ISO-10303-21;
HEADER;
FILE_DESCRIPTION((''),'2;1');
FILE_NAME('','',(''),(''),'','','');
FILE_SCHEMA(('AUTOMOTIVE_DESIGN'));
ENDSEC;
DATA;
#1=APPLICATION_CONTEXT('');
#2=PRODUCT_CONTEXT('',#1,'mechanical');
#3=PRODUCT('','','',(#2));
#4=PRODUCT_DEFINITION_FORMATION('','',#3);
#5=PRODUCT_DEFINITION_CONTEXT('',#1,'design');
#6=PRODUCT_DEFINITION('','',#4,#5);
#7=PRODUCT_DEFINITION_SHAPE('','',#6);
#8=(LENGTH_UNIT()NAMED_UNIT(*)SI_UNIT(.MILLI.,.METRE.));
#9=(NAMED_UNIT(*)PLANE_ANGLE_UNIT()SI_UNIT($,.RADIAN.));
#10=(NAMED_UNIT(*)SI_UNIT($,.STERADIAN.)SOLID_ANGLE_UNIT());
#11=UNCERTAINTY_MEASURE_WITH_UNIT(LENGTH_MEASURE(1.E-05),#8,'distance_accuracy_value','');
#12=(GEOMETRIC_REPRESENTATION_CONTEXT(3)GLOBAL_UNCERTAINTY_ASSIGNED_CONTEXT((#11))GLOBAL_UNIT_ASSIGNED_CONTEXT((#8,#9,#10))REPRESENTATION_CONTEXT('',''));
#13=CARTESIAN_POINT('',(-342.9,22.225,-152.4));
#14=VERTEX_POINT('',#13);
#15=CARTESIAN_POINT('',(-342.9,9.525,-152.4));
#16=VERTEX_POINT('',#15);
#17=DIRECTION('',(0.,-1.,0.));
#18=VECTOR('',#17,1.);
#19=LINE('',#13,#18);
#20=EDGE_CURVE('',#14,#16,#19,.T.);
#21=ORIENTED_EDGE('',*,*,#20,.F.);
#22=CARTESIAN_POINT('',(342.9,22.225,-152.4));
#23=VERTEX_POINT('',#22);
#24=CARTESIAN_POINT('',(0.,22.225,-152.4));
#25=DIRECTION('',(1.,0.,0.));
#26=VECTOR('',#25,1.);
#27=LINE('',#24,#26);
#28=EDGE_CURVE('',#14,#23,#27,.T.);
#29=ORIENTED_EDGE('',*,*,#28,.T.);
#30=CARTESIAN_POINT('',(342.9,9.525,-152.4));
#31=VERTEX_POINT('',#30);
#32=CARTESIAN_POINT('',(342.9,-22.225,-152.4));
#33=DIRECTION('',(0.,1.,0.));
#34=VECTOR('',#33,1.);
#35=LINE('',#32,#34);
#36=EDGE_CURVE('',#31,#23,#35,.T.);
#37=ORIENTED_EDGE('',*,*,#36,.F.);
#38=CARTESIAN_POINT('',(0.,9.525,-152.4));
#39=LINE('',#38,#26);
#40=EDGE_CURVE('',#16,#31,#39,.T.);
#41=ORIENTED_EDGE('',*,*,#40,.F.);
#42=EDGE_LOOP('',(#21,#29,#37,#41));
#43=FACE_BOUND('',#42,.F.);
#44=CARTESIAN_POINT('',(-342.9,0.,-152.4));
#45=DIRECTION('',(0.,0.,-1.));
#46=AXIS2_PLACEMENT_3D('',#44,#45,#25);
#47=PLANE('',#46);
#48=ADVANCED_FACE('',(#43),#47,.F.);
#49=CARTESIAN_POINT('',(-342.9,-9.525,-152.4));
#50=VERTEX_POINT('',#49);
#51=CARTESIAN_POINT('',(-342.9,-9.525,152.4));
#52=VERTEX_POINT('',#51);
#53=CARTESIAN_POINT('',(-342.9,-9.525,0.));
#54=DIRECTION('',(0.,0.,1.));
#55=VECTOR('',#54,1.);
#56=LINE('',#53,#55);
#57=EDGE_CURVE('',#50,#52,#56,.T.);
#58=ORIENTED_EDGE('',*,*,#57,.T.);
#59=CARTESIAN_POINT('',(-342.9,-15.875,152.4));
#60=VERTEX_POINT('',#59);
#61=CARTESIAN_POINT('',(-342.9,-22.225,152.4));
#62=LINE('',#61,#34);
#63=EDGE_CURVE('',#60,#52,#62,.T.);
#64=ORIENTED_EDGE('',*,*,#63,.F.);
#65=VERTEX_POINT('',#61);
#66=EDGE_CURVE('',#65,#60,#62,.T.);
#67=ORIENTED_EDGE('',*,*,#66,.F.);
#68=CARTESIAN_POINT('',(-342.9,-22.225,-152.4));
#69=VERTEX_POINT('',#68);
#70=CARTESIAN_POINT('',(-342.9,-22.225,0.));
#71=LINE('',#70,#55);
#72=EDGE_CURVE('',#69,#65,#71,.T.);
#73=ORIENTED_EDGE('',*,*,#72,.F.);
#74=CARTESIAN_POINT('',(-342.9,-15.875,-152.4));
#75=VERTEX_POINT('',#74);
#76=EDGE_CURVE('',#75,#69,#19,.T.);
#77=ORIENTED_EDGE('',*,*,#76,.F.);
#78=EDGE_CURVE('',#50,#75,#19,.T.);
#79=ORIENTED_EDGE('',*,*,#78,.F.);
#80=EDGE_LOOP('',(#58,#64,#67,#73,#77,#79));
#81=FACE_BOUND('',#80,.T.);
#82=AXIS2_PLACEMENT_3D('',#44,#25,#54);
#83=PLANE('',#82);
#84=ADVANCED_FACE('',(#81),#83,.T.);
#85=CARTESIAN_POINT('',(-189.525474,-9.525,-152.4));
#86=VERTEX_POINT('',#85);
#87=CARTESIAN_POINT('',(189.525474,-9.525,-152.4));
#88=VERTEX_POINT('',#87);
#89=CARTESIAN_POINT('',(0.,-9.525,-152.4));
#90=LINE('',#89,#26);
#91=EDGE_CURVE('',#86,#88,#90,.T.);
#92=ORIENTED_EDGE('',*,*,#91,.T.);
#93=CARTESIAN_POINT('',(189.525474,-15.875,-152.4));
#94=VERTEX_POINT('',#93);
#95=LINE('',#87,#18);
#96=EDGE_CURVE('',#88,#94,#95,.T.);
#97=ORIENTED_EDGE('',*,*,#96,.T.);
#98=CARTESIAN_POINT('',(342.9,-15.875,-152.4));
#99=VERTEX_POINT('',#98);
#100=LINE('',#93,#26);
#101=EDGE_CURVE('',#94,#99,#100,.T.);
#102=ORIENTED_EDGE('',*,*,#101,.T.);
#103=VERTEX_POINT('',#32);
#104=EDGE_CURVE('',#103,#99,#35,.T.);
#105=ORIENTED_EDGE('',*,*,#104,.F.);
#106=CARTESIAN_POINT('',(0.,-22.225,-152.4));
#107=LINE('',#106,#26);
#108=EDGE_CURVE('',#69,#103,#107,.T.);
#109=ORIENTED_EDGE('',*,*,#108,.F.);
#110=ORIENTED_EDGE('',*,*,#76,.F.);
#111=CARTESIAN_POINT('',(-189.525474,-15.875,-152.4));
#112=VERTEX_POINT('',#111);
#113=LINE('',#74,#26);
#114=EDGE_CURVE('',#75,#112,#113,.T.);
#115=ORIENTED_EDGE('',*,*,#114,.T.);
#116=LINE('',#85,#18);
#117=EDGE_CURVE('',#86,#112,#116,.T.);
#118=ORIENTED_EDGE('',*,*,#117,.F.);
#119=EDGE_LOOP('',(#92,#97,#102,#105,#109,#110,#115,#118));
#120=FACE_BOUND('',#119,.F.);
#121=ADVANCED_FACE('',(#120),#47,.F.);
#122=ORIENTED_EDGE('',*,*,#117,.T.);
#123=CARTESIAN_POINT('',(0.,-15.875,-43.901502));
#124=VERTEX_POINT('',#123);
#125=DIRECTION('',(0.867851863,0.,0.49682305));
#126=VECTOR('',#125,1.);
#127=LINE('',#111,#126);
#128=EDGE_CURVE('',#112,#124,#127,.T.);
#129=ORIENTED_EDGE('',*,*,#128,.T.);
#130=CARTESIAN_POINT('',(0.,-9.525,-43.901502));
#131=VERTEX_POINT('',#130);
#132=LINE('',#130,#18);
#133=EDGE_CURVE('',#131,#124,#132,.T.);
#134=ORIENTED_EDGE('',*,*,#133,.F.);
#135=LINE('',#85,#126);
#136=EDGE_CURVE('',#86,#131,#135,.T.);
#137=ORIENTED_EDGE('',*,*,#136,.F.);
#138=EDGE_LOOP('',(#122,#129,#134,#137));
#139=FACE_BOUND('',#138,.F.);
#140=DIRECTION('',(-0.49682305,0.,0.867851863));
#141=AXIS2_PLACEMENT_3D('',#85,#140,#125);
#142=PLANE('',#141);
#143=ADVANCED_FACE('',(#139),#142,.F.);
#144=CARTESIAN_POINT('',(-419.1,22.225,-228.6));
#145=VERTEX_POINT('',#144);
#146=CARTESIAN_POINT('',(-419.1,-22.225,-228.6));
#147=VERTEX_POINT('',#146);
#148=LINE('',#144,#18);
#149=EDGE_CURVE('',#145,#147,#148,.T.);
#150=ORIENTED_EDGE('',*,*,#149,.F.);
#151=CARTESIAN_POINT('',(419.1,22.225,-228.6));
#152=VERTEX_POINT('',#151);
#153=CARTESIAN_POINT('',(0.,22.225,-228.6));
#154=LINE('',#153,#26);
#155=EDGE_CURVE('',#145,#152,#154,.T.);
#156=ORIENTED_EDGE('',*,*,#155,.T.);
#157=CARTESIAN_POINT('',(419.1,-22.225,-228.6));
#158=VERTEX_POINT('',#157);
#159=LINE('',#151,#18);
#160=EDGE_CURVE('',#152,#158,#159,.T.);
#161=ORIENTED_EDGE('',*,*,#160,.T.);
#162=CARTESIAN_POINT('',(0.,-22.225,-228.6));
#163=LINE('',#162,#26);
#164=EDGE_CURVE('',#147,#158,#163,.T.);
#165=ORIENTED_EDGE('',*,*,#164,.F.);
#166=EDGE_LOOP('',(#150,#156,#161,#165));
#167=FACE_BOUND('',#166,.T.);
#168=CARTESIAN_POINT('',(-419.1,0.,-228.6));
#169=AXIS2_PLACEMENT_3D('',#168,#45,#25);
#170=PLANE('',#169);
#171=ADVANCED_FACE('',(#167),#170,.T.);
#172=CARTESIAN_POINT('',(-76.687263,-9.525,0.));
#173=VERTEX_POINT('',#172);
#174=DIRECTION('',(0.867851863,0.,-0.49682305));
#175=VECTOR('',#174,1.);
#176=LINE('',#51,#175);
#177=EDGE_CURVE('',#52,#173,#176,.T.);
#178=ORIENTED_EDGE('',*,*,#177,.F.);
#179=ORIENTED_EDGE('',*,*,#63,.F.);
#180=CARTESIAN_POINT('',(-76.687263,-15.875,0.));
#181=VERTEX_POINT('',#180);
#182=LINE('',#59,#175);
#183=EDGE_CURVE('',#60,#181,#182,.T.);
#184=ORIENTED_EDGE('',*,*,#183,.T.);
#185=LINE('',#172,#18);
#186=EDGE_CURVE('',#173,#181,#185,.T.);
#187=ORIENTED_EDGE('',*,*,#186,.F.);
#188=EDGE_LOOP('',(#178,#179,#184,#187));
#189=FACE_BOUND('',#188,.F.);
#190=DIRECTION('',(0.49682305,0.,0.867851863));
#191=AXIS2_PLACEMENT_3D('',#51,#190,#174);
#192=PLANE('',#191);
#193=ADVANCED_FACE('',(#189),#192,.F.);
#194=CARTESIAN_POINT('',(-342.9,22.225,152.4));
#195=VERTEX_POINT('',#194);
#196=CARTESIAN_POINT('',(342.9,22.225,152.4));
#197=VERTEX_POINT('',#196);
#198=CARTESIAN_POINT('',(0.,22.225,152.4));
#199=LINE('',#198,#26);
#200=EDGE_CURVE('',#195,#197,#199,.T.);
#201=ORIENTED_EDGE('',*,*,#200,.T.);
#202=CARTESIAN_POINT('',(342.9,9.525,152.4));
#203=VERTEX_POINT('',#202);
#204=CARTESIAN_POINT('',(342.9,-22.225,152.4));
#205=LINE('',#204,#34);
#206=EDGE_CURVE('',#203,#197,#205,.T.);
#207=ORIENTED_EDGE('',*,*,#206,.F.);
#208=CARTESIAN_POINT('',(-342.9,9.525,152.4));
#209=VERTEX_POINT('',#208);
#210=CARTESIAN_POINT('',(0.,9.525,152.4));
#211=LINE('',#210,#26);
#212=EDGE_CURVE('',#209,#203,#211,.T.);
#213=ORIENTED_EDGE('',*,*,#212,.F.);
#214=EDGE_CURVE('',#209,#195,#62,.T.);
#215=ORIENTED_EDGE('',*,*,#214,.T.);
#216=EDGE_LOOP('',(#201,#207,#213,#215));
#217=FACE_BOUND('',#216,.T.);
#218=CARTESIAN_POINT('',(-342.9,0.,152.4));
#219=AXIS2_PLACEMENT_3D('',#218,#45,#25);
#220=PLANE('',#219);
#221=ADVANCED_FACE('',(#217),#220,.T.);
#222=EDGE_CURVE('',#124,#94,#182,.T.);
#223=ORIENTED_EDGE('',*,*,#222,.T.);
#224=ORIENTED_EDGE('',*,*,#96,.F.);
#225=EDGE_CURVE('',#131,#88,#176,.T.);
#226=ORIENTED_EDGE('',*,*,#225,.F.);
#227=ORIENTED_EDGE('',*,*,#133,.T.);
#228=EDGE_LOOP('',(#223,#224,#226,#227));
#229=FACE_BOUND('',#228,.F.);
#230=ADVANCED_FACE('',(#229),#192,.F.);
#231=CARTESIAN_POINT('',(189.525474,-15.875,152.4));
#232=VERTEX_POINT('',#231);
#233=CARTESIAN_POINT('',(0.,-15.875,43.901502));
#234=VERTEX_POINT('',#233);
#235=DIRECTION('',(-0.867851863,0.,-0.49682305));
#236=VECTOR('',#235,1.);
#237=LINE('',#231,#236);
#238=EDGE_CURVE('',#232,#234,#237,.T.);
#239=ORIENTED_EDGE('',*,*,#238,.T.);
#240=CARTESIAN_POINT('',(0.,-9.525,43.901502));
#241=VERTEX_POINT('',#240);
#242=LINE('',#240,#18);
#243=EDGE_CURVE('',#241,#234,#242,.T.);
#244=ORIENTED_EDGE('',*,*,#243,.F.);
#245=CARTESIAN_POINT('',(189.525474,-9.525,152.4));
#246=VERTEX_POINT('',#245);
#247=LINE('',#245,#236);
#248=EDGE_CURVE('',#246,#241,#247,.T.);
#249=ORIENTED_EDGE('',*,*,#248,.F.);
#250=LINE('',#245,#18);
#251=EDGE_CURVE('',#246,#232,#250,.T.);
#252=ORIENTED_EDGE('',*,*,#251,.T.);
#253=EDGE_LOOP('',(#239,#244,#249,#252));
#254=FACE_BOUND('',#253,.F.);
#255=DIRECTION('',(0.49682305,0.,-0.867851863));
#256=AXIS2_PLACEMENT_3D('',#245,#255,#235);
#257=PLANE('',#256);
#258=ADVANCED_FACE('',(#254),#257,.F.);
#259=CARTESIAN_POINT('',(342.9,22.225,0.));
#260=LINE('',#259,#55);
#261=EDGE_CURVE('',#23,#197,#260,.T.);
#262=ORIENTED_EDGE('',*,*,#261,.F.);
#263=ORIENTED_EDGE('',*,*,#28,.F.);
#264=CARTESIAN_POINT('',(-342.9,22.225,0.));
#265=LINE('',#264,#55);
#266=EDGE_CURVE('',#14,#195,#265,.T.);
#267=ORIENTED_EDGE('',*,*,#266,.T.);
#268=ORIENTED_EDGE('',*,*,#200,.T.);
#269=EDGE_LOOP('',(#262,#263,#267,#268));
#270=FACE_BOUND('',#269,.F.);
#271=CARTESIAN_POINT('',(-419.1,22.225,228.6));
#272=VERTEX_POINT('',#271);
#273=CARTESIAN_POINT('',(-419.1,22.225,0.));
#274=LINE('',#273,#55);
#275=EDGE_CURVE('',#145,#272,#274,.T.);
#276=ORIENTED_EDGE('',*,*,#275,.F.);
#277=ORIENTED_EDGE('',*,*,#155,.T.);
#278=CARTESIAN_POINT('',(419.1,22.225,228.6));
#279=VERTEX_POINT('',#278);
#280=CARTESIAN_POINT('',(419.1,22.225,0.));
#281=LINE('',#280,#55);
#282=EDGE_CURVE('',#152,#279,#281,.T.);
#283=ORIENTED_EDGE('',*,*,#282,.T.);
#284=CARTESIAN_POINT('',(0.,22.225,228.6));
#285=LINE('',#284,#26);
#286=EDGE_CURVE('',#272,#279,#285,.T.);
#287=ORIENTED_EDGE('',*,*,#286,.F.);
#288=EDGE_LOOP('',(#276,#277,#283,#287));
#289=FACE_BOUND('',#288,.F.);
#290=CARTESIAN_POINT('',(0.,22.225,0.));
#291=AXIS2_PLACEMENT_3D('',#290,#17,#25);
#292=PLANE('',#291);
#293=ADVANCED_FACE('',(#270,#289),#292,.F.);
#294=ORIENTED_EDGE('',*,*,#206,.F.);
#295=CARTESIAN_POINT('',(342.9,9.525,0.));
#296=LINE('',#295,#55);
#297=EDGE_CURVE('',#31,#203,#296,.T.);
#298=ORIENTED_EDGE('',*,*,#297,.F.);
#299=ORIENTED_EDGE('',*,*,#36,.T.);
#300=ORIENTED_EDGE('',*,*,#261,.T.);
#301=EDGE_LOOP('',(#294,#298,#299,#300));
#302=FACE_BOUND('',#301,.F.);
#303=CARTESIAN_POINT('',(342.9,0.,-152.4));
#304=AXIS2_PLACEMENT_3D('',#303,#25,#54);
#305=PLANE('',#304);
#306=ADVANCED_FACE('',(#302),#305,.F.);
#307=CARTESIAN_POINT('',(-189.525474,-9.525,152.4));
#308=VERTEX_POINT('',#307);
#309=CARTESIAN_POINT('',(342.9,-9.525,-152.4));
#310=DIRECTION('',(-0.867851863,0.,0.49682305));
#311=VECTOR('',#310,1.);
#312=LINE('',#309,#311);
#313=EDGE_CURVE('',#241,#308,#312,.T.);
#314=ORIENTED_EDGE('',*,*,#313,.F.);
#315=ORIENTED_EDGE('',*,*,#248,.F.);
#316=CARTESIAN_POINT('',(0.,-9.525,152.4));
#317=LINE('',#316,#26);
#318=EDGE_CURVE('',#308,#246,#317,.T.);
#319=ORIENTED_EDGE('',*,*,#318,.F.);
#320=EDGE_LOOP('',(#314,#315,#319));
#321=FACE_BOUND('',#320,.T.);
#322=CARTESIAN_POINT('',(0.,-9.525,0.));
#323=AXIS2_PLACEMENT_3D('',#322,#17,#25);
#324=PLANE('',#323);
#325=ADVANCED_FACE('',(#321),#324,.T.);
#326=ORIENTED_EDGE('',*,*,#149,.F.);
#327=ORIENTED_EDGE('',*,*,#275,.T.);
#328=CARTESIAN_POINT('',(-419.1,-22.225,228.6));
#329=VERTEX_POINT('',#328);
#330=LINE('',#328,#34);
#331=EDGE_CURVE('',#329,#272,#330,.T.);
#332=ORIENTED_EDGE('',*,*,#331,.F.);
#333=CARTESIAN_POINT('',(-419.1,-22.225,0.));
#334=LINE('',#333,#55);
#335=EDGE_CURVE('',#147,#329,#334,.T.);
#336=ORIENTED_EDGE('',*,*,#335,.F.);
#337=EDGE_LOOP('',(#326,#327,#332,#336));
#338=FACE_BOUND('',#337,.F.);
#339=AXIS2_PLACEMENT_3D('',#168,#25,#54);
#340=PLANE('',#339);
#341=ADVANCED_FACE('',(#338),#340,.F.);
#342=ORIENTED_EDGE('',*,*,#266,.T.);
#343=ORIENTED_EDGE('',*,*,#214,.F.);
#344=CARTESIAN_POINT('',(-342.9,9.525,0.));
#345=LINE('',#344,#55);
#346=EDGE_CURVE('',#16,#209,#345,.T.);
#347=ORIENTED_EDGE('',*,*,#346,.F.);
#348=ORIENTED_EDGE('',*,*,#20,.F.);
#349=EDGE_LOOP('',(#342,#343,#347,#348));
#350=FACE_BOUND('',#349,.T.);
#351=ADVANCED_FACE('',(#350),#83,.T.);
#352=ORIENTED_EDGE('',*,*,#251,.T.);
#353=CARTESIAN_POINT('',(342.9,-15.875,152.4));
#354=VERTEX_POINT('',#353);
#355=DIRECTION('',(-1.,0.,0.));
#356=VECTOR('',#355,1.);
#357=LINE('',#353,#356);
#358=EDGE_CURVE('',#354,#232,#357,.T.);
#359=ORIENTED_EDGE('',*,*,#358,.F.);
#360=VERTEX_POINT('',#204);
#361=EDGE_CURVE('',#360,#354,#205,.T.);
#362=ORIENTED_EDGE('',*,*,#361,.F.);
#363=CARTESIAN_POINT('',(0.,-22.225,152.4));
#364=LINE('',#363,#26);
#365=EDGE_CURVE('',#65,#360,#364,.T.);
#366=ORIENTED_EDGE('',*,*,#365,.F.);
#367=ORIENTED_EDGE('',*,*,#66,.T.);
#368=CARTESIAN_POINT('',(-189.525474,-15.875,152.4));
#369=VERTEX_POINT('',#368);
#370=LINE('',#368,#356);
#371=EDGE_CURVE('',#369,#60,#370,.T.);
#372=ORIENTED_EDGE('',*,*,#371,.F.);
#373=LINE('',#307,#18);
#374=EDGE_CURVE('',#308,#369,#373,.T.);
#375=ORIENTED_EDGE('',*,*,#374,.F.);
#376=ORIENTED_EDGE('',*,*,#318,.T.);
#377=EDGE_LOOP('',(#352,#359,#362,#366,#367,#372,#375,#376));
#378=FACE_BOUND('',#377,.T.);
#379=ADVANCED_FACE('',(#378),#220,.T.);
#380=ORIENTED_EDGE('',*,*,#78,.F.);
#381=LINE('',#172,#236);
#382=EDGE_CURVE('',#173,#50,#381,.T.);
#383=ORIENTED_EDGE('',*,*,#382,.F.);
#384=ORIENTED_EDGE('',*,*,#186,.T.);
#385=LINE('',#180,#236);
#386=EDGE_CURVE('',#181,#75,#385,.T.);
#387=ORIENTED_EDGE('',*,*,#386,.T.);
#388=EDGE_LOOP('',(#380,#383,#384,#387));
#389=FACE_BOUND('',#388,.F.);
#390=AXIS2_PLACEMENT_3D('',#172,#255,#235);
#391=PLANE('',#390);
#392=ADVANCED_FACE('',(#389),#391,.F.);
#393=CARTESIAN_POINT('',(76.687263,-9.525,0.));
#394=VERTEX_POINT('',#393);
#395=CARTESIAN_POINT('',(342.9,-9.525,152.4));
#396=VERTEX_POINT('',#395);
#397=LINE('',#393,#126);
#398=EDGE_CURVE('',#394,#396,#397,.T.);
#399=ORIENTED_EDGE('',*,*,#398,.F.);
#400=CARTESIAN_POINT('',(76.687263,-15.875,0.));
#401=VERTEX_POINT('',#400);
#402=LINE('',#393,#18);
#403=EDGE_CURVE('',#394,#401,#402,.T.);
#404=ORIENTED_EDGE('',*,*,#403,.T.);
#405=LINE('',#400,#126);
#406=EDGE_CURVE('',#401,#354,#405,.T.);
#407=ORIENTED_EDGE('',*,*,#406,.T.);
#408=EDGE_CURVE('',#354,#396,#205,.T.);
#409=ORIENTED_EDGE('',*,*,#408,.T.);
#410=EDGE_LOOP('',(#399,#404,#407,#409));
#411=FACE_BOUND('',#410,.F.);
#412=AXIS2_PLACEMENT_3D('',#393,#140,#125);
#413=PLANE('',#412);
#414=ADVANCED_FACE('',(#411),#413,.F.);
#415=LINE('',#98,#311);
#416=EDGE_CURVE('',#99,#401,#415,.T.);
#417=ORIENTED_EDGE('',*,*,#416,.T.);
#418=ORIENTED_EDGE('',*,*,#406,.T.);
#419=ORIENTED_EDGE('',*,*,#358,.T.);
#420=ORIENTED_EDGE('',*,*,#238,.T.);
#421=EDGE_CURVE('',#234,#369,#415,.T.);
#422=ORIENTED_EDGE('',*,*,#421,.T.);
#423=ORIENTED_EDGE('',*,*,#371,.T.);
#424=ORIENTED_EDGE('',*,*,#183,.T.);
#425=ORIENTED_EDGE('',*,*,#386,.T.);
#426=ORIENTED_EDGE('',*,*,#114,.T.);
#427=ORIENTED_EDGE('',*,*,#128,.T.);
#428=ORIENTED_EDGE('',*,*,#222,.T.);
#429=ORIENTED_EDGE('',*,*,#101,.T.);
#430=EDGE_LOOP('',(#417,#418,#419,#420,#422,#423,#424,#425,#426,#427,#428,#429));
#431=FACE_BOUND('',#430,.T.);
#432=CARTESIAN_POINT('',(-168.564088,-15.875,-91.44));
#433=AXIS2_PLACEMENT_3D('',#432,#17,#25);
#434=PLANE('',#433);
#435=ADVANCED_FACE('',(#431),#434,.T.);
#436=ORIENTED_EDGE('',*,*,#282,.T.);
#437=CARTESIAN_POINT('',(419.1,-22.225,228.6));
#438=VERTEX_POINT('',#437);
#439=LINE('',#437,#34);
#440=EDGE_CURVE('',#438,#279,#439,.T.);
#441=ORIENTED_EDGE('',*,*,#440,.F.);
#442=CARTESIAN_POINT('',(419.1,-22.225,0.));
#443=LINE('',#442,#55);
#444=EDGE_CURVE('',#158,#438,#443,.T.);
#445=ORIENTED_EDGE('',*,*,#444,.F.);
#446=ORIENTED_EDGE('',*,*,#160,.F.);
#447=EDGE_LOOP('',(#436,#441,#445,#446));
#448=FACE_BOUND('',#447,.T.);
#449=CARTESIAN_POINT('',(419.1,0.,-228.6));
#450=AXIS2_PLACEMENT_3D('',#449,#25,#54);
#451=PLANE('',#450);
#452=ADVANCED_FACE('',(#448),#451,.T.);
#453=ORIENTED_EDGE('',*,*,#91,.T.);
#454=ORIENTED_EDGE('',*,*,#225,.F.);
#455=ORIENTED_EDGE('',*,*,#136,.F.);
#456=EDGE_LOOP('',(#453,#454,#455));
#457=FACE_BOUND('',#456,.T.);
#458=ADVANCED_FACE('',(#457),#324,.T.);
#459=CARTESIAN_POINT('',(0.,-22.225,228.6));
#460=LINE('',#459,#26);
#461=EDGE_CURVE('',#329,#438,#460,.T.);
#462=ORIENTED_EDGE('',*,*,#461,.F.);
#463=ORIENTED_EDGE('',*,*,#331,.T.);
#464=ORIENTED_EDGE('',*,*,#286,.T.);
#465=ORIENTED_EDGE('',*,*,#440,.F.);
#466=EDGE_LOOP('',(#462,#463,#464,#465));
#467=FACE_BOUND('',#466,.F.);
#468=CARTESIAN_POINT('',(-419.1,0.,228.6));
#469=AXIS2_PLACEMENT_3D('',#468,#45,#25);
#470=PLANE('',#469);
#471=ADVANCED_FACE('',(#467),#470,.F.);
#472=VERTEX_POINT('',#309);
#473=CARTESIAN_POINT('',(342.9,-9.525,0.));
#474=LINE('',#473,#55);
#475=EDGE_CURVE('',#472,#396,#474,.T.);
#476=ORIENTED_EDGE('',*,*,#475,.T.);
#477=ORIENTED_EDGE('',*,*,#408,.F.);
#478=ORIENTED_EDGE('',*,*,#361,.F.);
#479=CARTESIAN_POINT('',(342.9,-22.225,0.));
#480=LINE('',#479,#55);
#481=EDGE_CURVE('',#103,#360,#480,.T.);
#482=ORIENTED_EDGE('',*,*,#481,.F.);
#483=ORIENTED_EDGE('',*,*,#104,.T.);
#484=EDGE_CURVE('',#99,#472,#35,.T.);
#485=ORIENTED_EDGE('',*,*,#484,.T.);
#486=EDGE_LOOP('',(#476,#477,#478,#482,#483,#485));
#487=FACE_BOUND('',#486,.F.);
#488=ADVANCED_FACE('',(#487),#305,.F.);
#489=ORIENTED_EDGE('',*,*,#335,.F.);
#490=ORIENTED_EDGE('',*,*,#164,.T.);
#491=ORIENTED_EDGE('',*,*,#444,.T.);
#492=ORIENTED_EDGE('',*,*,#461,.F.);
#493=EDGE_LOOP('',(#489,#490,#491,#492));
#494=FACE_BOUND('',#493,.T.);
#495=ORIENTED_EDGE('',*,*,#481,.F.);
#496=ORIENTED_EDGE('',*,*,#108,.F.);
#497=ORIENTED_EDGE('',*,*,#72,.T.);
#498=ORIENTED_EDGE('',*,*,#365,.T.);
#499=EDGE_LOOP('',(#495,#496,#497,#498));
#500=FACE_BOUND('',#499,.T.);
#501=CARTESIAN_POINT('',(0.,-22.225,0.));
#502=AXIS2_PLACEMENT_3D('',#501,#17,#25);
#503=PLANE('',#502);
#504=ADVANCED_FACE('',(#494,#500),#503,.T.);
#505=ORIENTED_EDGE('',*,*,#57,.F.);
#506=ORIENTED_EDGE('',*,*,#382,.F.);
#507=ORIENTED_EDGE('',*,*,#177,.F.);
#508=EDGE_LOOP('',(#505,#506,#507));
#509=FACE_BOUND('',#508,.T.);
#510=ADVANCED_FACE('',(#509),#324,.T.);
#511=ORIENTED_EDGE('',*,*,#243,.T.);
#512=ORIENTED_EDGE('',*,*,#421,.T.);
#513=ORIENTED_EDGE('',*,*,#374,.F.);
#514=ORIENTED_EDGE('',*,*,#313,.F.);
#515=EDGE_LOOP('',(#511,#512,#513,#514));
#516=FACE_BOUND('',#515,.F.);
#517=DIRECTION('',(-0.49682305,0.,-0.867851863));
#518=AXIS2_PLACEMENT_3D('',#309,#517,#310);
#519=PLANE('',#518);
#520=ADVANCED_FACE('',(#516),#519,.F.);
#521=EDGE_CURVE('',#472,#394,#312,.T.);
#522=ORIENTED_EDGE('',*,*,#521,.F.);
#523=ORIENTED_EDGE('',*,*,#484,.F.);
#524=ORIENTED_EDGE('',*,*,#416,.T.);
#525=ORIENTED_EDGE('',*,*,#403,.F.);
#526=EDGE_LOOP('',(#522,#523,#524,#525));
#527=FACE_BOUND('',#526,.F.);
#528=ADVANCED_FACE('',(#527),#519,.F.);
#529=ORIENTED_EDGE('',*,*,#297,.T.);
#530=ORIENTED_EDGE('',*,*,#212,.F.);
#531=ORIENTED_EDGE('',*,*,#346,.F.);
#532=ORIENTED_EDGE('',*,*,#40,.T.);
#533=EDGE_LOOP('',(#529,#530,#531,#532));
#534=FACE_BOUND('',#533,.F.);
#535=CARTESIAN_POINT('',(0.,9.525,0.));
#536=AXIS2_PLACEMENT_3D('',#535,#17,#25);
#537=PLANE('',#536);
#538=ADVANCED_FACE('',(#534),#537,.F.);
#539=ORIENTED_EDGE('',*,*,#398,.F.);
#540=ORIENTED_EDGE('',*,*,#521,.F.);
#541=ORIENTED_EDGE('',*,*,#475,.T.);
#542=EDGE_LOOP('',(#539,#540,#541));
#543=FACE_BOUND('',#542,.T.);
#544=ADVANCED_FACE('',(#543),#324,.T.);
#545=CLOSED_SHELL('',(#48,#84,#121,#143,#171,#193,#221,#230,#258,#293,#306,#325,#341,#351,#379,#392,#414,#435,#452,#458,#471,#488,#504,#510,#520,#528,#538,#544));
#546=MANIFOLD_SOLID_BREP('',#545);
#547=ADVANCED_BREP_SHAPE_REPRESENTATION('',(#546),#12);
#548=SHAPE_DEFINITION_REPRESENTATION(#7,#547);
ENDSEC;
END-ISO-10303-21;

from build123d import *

# Parameters (mm, degrees)
F0_W     = 838.2
F0_H     = 457.2
F0_W_2   = 685.8
F0_H_2   = 304.8
F1_DEPTH = 22.225
F2_DEPTH = 9.525
F4_DEPTH = 6.35
F6_DEPTH = 6.35


with BuildPart() as f1:
    # F0 (on Front) → F1 (new body, symmetric)
    with BuildSketch(Plane.XZ):
        Rectangle(F0_W, F0_H)
        Rectangle(F0_W_2, F0_H_2, mode=Mode.SUBTRACT)
    extrude(amount=F1_DEPTH, both=True)

    # F0 (on Front) → F2 (join, symmetric)
    with BuildSketch(Plane.XZ):
        Rectangle(F0_W_2, F0_H_2)
    extrude(amount=F2_DEPTH, both=True)

    # F3 (on face) → F4 (join)
    with BuildSketch(Plane.XZ.offset(9.525)):
        Polygon((342.9, -152.4), (-189.5254737066, 152.4), (-342.9, 152.4), (189.5254737066, -152.4), align=None)
    extrude(amount=F4_DEPTH)

    # F5 (on face) → F6 (join)
    with BuildSketch(Plane.XZ.offset(9.525)):
        Polygon((-76.6872631467, 0), (-342.9, -152.4), (-189.5254737066, -152.4), (0, -43.90150164), align=None)
        Polygon((342.9, 152.4), (189.5254737066, 152.4), (0, 43.90150164), (76.6872631467, 0), align=None)
    extrude(amount=F6_DEPTH)


solid = f1.part
